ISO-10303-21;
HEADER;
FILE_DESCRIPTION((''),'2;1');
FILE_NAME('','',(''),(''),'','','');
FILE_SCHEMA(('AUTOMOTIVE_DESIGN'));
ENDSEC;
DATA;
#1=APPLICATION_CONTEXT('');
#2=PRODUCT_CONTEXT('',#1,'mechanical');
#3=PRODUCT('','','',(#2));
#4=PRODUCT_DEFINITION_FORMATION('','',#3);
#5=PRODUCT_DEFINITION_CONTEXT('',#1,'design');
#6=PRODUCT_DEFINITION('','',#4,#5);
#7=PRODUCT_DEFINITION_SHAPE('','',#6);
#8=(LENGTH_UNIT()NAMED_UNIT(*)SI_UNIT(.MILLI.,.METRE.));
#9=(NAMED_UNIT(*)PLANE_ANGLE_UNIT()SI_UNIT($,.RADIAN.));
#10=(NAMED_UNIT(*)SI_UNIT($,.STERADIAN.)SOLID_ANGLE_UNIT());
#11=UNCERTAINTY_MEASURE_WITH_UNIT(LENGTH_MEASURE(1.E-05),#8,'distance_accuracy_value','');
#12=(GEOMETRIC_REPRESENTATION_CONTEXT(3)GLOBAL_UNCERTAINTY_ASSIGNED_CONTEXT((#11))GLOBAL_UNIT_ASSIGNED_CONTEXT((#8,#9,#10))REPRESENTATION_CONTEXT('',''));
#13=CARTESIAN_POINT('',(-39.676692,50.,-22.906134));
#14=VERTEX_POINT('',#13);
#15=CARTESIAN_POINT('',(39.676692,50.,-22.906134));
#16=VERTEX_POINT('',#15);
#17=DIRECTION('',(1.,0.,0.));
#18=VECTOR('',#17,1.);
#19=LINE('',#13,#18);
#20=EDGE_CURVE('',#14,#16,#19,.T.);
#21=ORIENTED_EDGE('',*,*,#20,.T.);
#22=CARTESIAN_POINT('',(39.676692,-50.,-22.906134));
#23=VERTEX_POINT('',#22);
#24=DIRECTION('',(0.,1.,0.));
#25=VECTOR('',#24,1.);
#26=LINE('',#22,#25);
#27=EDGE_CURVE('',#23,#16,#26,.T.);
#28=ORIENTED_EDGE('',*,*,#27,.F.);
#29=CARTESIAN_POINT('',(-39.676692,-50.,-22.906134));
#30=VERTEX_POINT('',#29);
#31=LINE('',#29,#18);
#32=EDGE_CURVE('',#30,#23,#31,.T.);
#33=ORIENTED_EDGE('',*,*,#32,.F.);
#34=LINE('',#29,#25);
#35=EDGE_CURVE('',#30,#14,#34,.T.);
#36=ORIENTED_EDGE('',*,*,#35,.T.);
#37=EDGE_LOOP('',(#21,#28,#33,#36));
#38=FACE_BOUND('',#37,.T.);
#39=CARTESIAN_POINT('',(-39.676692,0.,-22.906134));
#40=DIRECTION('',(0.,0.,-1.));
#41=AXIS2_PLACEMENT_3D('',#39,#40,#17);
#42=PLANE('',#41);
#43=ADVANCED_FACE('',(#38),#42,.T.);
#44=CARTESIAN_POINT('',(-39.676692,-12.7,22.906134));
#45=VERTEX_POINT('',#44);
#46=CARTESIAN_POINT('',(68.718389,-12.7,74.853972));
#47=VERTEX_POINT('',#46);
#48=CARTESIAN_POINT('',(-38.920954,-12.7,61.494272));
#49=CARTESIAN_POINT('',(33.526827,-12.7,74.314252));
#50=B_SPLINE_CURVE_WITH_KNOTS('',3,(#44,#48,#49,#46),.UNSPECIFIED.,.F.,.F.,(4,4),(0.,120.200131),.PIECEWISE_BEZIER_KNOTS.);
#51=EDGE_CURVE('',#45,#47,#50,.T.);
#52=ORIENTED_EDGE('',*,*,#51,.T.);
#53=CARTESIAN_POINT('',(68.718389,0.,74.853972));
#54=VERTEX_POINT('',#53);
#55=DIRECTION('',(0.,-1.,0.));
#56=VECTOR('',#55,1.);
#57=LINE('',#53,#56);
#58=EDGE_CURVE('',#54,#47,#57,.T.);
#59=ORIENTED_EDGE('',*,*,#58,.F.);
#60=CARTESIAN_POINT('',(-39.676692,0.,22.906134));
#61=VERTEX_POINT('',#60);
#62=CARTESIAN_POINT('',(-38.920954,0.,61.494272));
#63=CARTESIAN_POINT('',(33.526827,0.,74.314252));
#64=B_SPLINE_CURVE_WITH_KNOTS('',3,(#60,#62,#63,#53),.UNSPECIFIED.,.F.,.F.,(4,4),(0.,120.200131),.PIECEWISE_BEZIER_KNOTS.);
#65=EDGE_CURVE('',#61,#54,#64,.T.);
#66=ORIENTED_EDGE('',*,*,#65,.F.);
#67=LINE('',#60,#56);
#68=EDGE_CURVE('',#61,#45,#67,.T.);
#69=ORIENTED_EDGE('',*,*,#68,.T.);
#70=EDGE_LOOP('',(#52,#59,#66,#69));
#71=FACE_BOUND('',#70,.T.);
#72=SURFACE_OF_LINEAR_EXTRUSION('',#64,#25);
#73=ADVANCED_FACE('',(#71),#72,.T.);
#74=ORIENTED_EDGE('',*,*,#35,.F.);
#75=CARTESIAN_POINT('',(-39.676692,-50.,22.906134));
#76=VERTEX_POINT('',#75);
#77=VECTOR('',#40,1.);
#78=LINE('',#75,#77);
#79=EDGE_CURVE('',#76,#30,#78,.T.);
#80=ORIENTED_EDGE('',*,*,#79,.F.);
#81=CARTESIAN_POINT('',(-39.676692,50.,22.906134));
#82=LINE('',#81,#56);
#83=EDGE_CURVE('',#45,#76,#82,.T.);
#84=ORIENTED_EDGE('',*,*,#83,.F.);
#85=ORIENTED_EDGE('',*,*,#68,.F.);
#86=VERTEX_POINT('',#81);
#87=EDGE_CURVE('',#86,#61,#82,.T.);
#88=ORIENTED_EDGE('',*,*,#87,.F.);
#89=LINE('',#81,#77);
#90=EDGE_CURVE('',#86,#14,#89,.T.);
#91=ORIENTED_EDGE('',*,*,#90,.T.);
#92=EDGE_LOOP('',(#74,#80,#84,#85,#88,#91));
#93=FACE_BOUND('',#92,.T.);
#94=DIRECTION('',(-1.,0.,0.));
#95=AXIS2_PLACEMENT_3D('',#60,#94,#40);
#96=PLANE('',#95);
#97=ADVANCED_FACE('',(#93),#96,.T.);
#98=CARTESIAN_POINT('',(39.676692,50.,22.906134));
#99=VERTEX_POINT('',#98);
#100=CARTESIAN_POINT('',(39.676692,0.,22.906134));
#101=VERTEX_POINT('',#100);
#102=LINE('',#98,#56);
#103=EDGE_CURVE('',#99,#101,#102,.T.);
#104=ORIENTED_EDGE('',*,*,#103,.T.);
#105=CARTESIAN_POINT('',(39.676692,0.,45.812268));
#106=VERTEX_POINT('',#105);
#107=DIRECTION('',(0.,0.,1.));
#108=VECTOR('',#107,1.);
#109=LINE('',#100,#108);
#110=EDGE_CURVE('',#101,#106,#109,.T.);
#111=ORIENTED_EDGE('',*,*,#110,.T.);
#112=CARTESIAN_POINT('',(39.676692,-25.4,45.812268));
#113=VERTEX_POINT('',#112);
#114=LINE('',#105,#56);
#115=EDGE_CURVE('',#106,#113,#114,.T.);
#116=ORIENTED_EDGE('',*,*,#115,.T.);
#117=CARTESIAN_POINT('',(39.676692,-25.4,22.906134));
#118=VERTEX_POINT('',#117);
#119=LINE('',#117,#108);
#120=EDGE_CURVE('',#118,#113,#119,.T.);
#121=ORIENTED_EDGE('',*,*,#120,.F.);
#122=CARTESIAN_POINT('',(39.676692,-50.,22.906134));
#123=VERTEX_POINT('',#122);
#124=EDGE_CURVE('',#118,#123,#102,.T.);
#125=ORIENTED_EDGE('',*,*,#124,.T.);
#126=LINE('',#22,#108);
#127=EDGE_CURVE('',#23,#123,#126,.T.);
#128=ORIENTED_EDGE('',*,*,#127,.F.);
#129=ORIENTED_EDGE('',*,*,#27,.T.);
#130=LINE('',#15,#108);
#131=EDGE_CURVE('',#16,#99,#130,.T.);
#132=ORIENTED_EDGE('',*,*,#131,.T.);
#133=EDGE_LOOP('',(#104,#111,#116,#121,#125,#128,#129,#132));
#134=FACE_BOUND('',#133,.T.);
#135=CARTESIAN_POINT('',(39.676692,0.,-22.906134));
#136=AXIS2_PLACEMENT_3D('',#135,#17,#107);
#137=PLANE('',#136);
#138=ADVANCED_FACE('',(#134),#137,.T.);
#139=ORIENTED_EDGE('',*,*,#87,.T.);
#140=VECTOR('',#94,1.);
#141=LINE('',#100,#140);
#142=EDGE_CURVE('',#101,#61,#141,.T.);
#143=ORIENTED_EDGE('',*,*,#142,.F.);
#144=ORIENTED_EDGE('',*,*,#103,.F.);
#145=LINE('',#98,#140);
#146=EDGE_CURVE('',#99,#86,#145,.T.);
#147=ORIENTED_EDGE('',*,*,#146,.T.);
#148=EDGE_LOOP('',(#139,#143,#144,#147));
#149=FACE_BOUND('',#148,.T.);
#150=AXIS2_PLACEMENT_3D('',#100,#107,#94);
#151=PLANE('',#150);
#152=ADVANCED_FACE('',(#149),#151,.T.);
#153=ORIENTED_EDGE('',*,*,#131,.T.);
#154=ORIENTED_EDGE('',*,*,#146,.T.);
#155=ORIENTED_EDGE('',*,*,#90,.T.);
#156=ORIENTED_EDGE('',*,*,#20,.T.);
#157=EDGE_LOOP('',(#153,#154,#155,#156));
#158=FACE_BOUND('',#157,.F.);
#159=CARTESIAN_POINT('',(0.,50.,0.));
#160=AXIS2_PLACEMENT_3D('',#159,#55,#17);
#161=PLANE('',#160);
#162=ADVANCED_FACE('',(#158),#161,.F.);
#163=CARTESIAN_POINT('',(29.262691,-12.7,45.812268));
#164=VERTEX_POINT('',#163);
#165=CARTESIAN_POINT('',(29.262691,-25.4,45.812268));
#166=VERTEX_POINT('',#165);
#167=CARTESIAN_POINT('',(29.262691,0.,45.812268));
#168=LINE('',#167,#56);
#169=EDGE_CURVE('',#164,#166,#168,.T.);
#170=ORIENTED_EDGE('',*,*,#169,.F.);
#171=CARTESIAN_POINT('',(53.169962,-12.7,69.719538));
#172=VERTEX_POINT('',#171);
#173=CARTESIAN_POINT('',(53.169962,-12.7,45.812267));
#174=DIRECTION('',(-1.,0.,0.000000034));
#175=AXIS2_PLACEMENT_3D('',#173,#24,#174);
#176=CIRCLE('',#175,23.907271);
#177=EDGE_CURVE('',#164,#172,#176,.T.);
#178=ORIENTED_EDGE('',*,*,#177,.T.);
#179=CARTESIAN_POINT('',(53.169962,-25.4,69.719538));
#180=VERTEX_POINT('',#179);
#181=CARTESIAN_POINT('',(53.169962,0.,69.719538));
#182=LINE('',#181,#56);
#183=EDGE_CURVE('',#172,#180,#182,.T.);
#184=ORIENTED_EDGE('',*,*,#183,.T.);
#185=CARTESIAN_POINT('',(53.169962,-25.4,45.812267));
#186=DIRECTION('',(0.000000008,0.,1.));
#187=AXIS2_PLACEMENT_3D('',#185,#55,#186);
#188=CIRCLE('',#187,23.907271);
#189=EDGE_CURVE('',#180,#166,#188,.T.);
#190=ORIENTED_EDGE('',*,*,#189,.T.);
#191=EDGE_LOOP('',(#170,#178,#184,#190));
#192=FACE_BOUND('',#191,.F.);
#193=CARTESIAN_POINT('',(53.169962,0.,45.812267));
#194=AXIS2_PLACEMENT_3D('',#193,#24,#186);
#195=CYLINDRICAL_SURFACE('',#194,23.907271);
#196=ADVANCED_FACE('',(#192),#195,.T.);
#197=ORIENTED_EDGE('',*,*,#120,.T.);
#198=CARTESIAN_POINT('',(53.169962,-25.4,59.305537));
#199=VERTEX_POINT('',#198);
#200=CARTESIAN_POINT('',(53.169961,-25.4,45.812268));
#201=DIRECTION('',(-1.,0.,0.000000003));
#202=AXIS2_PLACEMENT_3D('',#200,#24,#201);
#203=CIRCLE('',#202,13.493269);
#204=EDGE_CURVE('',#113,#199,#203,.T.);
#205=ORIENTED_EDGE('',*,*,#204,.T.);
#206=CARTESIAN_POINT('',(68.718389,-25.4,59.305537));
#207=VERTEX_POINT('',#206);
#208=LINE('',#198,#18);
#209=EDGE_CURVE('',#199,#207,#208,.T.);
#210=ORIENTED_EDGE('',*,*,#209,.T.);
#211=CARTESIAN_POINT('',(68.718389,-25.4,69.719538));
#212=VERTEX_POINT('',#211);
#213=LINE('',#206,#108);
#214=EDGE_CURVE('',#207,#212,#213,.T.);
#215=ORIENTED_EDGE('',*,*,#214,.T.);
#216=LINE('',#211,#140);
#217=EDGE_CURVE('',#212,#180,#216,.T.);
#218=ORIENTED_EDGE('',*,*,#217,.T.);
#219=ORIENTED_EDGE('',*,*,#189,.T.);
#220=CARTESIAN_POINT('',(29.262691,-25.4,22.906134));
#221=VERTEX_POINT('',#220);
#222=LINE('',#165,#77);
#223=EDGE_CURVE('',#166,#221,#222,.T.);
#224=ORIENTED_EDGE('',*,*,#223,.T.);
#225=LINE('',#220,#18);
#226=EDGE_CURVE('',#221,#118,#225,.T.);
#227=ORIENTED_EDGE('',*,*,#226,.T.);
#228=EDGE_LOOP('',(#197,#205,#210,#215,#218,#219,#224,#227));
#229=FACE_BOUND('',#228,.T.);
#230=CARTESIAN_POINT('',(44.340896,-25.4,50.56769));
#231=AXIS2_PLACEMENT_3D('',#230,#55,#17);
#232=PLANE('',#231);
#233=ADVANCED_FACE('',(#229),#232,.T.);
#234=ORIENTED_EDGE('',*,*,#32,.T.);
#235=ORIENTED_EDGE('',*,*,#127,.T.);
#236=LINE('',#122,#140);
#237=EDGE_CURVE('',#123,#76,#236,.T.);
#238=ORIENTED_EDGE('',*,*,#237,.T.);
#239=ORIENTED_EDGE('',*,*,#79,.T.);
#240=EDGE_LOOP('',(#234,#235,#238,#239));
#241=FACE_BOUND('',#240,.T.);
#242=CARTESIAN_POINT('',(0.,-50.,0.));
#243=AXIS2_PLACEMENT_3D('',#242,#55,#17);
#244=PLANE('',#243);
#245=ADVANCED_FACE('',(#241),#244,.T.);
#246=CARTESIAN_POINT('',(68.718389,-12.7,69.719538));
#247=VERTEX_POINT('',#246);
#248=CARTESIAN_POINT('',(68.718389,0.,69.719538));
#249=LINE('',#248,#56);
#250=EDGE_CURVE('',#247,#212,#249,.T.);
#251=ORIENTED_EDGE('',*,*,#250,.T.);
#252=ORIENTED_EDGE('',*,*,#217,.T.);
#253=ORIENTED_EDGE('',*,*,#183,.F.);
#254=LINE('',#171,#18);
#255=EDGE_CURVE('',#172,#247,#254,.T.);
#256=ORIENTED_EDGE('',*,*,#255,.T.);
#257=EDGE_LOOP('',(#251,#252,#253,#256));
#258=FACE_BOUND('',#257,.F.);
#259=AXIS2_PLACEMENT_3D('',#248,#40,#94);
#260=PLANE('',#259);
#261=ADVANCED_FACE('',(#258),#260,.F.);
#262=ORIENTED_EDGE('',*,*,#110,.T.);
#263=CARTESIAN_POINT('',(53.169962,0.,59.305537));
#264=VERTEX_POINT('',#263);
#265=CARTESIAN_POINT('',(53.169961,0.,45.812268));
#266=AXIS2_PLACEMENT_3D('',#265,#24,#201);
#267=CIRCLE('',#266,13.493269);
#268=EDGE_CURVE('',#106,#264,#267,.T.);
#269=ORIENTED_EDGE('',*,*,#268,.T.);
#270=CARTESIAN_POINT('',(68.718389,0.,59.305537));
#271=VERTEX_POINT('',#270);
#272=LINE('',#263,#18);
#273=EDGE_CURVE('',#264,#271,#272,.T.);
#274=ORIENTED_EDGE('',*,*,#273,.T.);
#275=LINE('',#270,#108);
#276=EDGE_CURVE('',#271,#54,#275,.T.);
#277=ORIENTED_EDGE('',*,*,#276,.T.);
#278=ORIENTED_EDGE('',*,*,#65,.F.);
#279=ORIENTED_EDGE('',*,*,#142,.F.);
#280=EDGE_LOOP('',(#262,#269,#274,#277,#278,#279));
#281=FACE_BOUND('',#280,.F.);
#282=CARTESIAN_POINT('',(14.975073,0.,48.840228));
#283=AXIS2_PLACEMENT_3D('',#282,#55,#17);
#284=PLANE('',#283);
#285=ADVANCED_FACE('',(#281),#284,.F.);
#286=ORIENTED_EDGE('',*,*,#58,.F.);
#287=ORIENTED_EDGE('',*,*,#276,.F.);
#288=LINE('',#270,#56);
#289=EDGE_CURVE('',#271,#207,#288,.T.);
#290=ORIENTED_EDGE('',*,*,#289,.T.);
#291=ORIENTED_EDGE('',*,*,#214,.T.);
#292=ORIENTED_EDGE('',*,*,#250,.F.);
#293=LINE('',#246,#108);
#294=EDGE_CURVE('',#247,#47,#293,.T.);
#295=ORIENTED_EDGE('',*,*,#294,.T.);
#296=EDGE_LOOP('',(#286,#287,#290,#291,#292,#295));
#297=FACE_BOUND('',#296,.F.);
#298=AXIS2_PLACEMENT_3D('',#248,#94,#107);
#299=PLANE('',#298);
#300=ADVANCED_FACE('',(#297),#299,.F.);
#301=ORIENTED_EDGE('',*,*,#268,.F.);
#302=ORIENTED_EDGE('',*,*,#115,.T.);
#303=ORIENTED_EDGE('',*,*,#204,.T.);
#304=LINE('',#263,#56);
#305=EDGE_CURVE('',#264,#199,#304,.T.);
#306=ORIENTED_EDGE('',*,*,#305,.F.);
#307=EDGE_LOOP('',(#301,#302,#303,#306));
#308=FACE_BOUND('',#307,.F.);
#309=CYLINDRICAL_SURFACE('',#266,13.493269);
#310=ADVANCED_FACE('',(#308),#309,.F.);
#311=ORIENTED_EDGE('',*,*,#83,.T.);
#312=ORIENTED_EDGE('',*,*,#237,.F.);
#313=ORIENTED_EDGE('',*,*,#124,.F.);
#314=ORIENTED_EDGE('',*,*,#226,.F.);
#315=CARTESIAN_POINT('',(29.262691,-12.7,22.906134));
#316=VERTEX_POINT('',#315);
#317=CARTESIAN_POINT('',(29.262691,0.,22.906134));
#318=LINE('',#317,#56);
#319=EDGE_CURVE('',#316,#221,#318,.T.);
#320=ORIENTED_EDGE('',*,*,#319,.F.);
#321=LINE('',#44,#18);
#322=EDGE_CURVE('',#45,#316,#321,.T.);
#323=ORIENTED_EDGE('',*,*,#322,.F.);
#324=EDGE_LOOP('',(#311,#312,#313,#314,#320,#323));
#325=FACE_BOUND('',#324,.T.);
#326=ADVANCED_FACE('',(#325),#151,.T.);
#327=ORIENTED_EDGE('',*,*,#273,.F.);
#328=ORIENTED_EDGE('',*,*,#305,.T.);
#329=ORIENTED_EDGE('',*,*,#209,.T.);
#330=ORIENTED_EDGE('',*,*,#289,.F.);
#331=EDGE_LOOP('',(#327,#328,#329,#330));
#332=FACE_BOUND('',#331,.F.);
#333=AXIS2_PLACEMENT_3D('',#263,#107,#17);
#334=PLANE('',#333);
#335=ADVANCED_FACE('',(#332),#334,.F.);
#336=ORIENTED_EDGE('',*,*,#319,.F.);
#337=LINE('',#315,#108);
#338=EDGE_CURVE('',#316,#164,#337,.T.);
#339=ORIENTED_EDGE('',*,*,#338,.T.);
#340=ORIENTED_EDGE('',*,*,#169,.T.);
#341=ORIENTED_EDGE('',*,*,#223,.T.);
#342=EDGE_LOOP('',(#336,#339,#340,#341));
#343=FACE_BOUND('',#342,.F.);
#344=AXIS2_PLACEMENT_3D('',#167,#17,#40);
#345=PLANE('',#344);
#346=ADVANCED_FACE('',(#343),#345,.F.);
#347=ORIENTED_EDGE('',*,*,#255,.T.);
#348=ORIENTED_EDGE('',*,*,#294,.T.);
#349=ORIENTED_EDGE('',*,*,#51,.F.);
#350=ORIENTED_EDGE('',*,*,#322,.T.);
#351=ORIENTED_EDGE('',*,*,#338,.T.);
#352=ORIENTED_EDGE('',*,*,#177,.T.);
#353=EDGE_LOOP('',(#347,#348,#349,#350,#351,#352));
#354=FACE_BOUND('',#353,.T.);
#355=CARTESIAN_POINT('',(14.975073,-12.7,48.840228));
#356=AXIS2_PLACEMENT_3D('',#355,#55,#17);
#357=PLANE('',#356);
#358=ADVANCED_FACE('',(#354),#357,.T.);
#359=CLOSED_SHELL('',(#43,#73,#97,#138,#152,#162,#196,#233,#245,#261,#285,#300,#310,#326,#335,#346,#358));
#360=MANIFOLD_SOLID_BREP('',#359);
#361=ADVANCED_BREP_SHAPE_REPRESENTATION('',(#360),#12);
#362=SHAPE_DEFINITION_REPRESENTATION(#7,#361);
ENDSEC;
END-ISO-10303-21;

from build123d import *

# Parameters (mm, degrees)
F1_DEPTH = 50
F2_DEPTH = 25.4
F3_DEPTH = 12.7


with BuildPart() as f1:
    # F0 (on Front) → F1 (new body, symmetric)
    with BuildSketch(Plane.XZ):
        Polygon((39.676692, -22.906134), (39.676692, 22.906134), (29.262691, 22.906134), (-39.676692, 22.906134), (-39.676692, -22.906134), align=None)
    extrude(amount=F1_DEPTH, both=True)

    # F0 (on Front) → F2 (join)
    with BuildSketch(Plane.XZ):
        with BuildLine():
            Line((29.262691, 22.906134), (39.676692, 22.906134))
            Line((39.676692, 22.906134), (39.676692, 45.812268))
            ThreePointArc((39.676692, 45.812268), (43.628779, 55.35345), (53.169962, 59.305537))
            Line((53.169962, 59.305537), (68.718389, 59.305537))
            Line((68.718389, 59.305537), (68.718389, 69.719538))
            Line((68.718389, 69.719538), (53.169962, 69.719538))
            ThreePointArc((53.169962, 69.719538), (36.264969, 62.717261), (29.262691, 45.812268))
            Line((29.262691, 45.812268), (29.262691, 22.906134))
        make_face()
    extrude(amount=F2_DEPTH)

    # F0 (on Front) → F3 (join)
    with BuildSketch(Plane.XZ):
        with BuildLine():
            Line((-39.676692, 22.906134), (29.262691, 22.906134))
            Line((29.262691, 22.906134), (29.262691, 45.812268))
            ThreePointArc((29.262691, 45.812268), (36.264969, 62.717261), (53.169962, 69.719538))
            Line((53.169962, 69.719538), (68.718389, 69.719538))
            Line((68.718389, 69.719538), (68.718389, 74.853972))
            add(Edge.make_bspline(
                [(-39.676692, 22.906134), (-38.920954, 61.494272), (33.526827, 74.314252), (68.718389, 74.853972)],
                knots=[0, 0, 0, 0, 120.200131, 120.200131, 120.200131, 120.200131], degree=3))
        make_face()
    extrude(amount=F3_DEPTH)


solid = f1.part
